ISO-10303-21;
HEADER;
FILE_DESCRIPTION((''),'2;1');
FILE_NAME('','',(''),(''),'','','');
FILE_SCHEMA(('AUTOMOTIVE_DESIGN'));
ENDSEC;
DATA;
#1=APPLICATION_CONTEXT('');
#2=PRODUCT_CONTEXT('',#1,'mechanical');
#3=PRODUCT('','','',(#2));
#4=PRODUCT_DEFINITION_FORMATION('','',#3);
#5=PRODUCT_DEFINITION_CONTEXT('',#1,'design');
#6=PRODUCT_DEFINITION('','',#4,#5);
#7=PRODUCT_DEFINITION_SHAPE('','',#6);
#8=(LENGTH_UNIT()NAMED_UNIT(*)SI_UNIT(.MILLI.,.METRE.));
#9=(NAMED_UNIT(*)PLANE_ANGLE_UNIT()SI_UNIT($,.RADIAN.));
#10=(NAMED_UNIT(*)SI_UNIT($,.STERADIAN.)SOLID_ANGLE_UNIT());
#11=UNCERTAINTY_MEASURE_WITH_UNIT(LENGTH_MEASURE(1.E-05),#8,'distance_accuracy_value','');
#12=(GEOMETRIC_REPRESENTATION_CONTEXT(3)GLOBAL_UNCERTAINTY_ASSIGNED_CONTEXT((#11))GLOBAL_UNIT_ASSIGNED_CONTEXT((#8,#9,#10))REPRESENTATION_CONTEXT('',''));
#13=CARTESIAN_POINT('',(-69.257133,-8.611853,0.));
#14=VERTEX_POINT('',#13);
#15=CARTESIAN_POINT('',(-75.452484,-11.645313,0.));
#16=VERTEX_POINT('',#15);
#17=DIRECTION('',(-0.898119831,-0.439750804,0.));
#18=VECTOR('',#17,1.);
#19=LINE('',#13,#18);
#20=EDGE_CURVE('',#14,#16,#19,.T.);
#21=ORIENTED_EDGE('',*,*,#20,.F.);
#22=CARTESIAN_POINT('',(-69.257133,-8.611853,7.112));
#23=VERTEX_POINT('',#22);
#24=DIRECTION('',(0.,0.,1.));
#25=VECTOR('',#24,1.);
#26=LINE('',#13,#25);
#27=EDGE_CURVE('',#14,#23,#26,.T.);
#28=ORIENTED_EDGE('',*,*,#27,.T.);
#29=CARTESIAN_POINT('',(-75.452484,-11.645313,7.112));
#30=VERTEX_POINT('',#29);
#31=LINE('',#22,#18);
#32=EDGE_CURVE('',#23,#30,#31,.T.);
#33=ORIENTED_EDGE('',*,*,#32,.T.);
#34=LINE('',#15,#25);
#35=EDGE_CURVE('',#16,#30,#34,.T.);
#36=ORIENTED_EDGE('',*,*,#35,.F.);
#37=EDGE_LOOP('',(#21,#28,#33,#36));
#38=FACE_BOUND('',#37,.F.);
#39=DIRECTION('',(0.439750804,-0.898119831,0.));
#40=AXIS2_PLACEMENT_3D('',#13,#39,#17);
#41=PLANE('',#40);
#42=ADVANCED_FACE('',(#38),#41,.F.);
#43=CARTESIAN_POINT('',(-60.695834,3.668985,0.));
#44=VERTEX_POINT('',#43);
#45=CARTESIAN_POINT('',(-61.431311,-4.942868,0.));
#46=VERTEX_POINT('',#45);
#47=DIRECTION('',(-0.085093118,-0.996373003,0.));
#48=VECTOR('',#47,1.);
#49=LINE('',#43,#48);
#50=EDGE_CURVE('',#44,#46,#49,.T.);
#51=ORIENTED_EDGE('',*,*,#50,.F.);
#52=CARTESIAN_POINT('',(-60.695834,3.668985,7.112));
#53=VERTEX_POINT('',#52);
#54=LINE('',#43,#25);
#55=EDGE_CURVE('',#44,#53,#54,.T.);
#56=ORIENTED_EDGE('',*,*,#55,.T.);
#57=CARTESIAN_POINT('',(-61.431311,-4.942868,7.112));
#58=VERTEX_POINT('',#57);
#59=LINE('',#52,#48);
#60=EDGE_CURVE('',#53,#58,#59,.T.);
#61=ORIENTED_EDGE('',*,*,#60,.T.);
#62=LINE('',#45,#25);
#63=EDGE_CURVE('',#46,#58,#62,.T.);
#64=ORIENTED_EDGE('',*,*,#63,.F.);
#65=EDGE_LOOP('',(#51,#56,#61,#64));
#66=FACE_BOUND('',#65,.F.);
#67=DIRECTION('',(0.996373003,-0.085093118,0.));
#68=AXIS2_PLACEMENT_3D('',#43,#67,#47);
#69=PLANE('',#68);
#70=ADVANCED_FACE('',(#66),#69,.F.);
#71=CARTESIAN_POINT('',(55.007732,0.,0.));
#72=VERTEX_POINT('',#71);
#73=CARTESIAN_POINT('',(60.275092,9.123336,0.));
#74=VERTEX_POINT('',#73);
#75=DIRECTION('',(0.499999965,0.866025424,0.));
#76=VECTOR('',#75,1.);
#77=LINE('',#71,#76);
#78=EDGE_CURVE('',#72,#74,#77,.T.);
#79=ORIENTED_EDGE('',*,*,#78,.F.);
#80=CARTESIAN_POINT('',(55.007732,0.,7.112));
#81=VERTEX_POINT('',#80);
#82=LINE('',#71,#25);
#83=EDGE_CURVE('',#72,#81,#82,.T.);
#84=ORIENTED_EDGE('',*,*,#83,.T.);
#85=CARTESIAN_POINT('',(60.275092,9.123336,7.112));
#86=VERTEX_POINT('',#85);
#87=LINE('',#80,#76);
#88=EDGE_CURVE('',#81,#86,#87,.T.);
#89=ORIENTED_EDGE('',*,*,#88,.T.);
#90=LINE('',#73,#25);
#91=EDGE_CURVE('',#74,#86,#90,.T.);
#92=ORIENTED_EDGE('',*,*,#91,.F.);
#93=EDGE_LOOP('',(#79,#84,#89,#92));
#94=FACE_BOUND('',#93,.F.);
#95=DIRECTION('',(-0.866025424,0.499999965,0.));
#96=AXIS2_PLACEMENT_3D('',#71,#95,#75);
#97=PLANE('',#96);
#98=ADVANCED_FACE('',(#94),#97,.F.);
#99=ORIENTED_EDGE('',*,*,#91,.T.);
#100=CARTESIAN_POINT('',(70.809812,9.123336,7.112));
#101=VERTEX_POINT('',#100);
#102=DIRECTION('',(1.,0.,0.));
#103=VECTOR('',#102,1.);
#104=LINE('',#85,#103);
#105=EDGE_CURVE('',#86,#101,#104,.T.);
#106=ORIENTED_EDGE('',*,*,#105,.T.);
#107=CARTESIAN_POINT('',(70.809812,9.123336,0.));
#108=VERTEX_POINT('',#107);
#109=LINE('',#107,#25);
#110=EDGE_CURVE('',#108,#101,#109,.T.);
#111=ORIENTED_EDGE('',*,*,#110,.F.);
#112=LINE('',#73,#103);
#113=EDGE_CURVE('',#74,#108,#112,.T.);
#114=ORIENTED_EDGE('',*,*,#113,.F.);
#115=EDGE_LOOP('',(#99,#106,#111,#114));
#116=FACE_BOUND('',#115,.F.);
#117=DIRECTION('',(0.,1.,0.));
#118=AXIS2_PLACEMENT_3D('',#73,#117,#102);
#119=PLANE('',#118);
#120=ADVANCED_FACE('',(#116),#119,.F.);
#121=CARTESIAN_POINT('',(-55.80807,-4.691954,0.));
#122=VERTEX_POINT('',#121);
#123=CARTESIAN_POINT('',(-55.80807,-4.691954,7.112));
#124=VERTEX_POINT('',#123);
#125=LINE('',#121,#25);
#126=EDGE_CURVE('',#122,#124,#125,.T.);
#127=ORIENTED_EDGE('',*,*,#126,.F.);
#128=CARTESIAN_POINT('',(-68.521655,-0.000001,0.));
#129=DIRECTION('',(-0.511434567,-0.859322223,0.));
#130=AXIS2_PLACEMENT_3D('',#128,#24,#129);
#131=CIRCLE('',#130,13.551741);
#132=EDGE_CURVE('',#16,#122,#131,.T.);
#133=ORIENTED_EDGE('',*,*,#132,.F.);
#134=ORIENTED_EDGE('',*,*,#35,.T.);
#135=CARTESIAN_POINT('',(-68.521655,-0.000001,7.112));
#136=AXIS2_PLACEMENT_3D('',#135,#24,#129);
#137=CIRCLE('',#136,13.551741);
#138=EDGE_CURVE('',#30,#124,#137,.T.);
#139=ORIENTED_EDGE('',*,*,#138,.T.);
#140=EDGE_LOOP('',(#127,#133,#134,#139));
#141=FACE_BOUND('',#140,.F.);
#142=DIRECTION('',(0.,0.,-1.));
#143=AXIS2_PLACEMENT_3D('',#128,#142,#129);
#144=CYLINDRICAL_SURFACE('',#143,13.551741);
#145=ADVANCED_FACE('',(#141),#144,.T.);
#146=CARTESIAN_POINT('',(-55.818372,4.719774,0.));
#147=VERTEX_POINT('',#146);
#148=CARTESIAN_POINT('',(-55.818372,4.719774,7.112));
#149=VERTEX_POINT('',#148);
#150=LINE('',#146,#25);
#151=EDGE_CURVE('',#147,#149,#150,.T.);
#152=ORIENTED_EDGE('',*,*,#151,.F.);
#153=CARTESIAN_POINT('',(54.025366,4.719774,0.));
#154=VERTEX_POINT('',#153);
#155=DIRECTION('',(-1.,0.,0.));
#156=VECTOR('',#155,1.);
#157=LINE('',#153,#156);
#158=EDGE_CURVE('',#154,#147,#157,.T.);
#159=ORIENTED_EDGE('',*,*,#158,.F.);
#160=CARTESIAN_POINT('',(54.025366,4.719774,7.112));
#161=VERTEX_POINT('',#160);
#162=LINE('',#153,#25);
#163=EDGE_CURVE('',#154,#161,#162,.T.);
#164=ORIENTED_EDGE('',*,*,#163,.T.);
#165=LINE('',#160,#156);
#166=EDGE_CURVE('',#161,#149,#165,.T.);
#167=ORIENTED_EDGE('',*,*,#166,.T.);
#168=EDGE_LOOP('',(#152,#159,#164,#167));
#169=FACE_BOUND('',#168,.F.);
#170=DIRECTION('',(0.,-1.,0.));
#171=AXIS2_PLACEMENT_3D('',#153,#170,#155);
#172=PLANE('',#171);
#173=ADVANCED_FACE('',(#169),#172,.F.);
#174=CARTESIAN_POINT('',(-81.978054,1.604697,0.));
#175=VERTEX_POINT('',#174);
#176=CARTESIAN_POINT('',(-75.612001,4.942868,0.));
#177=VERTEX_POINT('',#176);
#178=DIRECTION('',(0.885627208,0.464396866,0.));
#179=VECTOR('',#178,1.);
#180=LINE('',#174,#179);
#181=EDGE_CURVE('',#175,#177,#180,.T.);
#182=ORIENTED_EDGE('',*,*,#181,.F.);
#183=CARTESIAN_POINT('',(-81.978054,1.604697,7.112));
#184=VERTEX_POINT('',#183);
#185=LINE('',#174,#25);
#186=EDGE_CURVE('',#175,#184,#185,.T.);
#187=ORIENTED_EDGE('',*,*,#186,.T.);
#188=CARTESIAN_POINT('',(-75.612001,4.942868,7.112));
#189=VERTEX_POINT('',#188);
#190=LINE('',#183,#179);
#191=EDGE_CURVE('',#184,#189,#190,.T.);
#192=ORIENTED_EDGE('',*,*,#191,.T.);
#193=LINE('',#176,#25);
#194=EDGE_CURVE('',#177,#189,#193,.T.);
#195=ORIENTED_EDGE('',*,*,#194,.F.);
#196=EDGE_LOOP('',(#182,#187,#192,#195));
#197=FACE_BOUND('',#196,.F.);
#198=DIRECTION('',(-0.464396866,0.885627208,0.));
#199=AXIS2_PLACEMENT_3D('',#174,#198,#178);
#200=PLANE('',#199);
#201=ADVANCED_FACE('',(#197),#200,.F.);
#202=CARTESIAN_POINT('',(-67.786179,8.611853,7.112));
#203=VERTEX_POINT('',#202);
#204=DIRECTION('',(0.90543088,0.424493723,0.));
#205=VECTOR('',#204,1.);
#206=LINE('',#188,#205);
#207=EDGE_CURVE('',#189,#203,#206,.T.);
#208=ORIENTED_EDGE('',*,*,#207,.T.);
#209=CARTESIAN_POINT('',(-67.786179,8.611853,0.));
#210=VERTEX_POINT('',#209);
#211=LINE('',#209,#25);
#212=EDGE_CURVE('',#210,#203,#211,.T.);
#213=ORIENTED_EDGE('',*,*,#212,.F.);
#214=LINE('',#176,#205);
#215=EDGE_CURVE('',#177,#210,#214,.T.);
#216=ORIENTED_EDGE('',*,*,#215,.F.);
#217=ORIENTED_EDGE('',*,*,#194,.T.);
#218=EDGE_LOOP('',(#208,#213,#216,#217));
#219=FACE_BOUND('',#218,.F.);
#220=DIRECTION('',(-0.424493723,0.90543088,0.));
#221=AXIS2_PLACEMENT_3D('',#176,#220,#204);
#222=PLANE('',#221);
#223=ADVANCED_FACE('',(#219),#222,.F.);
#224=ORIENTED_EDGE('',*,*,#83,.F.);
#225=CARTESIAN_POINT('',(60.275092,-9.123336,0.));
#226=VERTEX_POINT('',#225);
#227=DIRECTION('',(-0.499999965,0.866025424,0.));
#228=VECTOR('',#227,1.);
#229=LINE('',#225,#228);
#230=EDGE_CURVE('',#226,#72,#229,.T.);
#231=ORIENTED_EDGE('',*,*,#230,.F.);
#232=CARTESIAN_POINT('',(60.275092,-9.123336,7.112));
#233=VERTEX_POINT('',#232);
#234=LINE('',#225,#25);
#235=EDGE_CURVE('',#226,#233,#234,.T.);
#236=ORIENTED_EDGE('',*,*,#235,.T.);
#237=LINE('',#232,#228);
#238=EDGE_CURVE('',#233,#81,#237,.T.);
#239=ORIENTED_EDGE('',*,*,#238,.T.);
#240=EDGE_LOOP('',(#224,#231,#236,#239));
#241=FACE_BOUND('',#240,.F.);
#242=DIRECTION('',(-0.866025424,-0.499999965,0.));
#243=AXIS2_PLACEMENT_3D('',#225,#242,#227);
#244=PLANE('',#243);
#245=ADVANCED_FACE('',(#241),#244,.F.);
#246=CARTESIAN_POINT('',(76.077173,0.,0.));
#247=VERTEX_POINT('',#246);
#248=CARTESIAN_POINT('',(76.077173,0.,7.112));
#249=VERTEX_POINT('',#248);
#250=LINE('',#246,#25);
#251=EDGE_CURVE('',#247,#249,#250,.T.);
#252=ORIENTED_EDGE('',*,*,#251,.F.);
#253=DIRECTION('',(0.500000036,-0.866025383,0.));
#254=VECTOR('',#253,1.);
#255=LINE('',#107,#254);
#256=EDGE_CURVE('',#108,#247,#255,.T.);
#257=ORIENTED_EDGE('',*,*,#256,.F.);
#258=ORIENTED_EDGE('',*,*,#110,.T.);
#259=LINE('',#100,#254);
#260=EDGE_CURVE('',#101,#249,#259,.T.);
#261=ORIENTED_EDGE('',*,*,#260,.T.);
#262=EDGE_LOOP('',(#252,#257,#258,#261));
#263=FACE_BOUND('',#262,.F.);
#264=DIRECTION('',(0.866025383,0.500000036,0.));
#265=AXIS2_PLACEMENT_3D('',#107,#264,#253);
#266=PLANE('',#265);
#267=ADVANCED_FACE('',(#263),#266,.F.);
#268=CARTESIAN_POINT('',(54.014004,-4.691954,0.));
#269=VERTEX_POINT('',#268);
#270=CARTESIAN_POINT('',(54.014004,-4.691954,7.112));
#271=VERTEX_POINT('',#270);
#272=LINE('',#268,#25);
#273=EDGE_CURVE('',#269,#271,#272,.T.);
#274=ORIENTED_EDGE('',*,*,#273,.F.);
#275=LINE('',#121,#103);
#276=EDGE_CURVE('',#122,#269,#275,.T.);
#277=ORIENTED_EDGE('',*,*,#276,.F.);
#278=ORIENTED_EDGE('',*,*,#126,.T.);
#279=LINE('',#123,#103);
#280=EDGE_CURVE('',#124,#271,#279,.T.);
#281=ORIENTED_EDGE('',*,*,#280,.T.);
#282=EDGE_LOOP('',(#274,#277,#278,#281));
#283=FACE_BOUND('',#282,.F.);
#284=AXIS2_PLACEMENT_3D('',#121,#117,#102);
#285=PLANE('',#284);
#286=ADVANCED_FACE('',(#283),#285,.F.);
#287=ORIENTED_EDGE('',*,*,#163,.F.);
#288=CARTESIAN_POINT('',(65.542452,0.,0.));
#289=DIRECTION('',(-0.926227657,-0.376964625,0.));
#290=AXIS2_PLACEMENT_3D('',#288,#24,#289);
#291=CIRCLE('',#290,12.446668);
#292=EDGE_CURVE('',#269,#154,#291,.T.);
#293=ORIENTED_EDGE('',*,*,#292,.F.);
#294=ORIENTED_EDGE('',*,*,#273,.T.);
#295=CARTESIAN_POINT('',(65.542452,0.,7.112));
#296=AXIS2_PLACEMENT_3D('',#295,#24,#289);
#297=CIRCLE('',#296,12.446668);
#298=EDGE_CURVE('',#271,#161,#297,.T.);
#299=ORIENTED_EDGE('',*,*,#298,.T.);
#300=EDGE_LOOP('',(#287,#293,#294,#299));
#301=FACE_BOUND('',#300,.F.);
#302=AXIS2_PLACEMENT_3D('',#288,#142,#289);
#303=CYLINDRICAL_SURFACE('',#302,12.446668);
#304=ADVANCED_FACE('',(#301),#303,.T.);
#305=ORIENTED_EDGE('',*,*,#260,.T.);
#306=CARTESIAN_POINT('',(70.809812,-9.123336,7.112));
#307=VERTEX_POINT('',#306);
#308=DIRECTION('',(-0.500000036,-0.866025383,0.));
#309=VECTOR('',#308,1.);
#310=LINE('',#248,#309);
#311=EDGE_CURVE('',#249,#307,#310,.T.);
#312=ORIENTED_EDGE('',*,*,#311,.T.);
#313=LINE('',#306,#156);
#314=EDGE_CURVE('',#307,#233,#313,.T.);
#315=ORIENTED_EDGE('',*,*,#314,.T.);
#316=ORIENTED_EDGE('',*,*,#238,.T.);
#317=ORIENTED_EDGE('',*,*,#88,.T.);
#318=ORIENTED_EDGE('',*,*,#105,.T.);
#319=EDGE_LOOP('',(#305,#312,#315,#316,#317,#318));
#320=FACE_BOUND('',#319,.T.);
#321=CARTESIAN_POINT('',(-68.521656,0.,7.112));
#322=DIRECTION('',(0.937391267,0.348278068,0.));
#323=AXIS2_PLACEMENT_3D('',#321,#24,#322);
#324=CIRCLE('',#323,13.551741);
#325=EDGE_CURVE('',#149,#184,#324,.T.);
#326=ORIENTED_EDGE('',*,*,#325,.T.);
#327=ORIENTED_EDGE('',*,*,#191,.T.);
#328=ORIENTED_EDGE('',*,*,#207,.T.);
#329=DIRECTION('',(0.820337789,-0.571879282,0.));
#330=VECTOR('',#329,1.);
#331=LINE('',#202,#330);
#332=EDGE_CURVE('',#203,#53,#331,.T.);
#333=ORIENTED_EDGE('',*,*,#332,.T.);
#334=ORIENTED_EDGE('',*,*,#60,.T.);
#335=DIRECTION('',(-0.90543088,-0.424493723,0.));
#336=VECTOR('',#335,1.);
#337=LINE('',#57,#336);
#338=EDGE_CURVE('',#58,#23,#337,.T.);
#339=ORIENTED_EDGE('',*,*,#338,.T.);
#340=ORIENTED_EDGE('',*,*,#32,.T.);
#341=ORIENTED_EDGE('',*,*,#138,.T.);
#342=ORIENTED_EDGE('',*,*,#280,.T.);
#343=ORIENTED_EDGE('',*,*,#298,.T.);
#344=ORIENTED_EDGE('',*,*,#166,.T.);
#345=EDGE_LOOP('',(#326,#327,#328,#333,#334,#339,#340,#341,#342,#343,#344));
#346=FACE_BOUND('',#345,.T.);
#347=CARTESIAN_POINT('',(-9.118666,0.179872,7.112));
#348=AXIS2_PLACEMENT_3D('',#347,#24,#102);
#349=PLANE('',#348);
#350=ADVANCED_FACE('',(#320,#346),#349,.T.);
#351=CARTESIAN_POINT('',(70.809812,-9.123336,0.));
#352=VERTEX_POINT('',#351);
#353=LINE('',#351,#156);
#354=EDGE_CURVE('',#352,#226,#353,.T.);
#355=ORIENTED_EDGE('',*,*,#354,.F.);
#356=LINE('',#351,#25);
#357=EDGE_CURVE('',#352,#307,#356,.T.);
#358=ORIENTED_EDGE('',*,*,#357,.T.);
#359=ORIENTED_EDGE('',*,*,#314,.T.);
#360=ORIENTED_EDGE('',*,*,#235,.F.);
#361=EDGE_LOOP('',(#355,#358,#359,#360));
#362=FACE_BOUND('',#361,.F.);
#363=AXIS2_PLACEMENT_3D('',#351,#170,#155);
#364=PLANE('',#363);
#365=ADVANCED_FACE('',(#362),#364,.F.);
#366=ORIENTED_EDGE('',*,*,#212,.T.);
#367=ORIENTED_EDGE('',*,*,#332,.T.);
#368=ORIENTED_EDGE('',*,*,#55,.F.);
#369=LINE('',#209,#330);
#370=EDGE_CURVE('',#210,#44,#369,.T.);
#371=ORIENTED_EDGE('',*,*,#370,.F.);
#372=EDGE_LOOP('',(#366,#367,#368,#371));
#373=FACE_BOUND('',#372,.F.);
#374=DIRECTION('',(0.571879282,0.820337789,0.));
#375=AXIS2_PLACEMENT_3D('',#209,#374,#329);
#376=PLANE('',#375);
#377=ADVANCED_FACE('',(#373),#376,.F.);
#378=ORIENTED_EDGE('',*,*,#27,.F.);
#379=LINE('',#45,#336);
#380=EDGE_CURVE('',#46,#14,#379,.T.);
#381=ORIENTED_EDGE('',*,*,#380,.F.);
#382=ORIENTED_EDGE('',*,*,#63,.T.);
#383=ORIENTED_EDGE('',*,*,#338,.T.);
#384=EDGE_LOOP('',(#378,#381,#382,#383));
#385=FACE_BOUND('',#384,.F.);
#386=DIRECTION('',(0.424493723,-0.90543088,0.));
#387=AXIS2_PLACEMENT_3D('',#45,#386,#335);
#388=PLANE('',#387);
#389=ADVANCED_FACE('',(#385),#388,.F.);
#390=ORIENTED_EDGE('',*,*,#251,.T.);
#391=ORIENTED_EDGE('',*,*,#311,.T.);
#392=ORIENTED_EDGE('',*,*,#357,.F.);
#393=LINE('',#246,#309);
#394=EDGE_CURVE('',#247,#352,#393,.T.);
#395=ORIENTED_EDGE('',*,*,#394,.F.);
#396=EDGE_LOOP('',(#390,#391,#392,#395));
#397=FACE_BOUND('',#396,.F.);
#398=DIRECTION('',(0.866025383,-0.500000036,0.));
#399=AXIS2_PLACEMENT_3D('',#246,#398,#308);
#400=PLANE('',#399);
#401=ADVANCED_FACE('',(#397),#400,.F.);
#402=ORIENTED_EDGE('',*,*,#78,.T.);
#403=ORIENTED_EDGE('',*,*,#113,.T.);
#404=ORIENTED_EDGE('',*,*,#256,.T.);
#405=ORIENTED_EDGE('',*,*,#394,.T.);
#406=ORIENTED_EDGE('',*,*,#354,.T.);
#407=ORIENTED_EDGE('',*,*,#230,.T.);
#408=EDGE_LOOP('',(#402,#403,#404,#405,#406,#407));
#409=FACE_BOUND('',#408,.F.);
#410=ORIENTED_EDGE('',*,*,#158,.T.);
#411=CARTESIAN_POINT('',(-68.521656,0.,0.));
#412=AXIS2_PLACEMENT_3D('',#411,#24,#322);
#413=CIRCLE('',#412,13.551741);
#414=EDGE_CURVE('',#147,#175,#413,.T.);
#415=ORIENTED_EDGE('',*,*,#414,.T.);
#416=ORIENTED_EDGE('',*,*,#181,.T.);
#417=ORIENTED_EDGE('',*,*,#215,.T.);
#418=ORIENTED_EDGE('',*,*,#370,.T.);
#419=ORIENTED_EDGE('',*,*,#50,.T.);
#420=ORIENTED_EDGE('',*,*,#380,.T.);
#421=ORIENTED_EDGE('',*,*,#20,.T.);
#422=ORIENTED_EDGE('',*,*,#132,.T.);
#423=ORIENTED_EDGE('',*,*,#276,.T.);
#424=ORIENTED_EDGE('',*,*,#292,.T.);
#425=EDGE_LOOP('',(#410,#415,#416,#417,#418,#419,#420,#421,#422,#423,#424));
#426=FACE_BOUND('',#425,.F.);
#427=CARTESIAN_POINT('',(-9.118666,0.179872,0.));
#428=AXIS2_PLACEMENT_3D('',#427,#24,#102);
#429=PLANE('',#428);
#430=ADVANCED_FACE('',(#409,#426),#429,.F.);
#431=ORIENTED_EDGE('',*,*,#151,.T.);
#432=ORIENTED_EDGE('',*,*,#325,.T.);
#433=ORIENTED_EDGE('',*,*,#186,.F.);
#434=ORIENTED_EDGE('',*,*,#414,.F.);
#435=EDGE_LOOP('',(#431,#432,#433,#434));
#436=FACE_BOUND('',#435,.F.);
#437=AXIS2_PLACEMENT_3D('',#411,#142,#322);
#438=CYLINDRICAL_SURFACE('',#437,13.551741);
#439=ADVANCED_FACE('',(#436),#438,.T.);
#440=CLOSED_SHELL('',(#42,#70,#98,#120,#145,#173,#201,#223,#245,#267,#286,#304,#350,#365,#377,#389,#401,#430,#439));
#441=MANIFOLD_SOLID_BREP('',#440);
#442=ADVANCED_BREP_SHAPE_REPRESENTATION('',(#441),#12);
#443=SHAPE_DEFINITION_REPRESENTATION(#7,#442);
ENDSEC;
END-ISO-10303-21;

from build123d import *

# Parameters (mm, degrees)
F1_DEPTH = 7.112


with BuildPart() as f1:
    # F0 (on Top) → F1 (new body)
    with BuildSketch(Plane.XY):
        with BuildLine():
            Line((-55.80807, -4.691954), (54.014004, -4.691954))
            ThreePointArc((54.014004, -4.691954), (77.989111, -0.015025), (54.025366, 4.719774))
            Line((54.025366, 4.719774), (-55.818372, 4.719774))
            ThreePointArc((-55.818372, 4.719774), (-70.124067, 13.45667), (-81.978054, 1.604697))
            Line((-81.978054, 1.604697), (-75.612001, 4.942868))
            Line((-75.612001, 4.942868), (-67.786179, 8.611853))
            Line((-67.786179, 8.611853), (-60.695834, 3.668985))
            Line((-60.695834, 3.668985), (-61.431311, -4.942868))
            Line((-61.431311, -4.942868), (-69.257133, -8.611853))
            Line((-69.257133, -8.611853), (-75.452484, -11.645313))
            ThreePointArc((-75.452484, -11.645313), (-63.999779, -12.775067), (-55.80807, -4.691954))
        make_face()
        Polygon((55.007732, 0), (60.275092, 9.123336), (70.809812, 9.123336), (76.077173, 0), (70.809812, -9.123336), (60.275092, -9.123336), align=None, mode=Mode.SUBTRACT)
    extrude(amount=F1_DEPTH)


solid = f1.part
